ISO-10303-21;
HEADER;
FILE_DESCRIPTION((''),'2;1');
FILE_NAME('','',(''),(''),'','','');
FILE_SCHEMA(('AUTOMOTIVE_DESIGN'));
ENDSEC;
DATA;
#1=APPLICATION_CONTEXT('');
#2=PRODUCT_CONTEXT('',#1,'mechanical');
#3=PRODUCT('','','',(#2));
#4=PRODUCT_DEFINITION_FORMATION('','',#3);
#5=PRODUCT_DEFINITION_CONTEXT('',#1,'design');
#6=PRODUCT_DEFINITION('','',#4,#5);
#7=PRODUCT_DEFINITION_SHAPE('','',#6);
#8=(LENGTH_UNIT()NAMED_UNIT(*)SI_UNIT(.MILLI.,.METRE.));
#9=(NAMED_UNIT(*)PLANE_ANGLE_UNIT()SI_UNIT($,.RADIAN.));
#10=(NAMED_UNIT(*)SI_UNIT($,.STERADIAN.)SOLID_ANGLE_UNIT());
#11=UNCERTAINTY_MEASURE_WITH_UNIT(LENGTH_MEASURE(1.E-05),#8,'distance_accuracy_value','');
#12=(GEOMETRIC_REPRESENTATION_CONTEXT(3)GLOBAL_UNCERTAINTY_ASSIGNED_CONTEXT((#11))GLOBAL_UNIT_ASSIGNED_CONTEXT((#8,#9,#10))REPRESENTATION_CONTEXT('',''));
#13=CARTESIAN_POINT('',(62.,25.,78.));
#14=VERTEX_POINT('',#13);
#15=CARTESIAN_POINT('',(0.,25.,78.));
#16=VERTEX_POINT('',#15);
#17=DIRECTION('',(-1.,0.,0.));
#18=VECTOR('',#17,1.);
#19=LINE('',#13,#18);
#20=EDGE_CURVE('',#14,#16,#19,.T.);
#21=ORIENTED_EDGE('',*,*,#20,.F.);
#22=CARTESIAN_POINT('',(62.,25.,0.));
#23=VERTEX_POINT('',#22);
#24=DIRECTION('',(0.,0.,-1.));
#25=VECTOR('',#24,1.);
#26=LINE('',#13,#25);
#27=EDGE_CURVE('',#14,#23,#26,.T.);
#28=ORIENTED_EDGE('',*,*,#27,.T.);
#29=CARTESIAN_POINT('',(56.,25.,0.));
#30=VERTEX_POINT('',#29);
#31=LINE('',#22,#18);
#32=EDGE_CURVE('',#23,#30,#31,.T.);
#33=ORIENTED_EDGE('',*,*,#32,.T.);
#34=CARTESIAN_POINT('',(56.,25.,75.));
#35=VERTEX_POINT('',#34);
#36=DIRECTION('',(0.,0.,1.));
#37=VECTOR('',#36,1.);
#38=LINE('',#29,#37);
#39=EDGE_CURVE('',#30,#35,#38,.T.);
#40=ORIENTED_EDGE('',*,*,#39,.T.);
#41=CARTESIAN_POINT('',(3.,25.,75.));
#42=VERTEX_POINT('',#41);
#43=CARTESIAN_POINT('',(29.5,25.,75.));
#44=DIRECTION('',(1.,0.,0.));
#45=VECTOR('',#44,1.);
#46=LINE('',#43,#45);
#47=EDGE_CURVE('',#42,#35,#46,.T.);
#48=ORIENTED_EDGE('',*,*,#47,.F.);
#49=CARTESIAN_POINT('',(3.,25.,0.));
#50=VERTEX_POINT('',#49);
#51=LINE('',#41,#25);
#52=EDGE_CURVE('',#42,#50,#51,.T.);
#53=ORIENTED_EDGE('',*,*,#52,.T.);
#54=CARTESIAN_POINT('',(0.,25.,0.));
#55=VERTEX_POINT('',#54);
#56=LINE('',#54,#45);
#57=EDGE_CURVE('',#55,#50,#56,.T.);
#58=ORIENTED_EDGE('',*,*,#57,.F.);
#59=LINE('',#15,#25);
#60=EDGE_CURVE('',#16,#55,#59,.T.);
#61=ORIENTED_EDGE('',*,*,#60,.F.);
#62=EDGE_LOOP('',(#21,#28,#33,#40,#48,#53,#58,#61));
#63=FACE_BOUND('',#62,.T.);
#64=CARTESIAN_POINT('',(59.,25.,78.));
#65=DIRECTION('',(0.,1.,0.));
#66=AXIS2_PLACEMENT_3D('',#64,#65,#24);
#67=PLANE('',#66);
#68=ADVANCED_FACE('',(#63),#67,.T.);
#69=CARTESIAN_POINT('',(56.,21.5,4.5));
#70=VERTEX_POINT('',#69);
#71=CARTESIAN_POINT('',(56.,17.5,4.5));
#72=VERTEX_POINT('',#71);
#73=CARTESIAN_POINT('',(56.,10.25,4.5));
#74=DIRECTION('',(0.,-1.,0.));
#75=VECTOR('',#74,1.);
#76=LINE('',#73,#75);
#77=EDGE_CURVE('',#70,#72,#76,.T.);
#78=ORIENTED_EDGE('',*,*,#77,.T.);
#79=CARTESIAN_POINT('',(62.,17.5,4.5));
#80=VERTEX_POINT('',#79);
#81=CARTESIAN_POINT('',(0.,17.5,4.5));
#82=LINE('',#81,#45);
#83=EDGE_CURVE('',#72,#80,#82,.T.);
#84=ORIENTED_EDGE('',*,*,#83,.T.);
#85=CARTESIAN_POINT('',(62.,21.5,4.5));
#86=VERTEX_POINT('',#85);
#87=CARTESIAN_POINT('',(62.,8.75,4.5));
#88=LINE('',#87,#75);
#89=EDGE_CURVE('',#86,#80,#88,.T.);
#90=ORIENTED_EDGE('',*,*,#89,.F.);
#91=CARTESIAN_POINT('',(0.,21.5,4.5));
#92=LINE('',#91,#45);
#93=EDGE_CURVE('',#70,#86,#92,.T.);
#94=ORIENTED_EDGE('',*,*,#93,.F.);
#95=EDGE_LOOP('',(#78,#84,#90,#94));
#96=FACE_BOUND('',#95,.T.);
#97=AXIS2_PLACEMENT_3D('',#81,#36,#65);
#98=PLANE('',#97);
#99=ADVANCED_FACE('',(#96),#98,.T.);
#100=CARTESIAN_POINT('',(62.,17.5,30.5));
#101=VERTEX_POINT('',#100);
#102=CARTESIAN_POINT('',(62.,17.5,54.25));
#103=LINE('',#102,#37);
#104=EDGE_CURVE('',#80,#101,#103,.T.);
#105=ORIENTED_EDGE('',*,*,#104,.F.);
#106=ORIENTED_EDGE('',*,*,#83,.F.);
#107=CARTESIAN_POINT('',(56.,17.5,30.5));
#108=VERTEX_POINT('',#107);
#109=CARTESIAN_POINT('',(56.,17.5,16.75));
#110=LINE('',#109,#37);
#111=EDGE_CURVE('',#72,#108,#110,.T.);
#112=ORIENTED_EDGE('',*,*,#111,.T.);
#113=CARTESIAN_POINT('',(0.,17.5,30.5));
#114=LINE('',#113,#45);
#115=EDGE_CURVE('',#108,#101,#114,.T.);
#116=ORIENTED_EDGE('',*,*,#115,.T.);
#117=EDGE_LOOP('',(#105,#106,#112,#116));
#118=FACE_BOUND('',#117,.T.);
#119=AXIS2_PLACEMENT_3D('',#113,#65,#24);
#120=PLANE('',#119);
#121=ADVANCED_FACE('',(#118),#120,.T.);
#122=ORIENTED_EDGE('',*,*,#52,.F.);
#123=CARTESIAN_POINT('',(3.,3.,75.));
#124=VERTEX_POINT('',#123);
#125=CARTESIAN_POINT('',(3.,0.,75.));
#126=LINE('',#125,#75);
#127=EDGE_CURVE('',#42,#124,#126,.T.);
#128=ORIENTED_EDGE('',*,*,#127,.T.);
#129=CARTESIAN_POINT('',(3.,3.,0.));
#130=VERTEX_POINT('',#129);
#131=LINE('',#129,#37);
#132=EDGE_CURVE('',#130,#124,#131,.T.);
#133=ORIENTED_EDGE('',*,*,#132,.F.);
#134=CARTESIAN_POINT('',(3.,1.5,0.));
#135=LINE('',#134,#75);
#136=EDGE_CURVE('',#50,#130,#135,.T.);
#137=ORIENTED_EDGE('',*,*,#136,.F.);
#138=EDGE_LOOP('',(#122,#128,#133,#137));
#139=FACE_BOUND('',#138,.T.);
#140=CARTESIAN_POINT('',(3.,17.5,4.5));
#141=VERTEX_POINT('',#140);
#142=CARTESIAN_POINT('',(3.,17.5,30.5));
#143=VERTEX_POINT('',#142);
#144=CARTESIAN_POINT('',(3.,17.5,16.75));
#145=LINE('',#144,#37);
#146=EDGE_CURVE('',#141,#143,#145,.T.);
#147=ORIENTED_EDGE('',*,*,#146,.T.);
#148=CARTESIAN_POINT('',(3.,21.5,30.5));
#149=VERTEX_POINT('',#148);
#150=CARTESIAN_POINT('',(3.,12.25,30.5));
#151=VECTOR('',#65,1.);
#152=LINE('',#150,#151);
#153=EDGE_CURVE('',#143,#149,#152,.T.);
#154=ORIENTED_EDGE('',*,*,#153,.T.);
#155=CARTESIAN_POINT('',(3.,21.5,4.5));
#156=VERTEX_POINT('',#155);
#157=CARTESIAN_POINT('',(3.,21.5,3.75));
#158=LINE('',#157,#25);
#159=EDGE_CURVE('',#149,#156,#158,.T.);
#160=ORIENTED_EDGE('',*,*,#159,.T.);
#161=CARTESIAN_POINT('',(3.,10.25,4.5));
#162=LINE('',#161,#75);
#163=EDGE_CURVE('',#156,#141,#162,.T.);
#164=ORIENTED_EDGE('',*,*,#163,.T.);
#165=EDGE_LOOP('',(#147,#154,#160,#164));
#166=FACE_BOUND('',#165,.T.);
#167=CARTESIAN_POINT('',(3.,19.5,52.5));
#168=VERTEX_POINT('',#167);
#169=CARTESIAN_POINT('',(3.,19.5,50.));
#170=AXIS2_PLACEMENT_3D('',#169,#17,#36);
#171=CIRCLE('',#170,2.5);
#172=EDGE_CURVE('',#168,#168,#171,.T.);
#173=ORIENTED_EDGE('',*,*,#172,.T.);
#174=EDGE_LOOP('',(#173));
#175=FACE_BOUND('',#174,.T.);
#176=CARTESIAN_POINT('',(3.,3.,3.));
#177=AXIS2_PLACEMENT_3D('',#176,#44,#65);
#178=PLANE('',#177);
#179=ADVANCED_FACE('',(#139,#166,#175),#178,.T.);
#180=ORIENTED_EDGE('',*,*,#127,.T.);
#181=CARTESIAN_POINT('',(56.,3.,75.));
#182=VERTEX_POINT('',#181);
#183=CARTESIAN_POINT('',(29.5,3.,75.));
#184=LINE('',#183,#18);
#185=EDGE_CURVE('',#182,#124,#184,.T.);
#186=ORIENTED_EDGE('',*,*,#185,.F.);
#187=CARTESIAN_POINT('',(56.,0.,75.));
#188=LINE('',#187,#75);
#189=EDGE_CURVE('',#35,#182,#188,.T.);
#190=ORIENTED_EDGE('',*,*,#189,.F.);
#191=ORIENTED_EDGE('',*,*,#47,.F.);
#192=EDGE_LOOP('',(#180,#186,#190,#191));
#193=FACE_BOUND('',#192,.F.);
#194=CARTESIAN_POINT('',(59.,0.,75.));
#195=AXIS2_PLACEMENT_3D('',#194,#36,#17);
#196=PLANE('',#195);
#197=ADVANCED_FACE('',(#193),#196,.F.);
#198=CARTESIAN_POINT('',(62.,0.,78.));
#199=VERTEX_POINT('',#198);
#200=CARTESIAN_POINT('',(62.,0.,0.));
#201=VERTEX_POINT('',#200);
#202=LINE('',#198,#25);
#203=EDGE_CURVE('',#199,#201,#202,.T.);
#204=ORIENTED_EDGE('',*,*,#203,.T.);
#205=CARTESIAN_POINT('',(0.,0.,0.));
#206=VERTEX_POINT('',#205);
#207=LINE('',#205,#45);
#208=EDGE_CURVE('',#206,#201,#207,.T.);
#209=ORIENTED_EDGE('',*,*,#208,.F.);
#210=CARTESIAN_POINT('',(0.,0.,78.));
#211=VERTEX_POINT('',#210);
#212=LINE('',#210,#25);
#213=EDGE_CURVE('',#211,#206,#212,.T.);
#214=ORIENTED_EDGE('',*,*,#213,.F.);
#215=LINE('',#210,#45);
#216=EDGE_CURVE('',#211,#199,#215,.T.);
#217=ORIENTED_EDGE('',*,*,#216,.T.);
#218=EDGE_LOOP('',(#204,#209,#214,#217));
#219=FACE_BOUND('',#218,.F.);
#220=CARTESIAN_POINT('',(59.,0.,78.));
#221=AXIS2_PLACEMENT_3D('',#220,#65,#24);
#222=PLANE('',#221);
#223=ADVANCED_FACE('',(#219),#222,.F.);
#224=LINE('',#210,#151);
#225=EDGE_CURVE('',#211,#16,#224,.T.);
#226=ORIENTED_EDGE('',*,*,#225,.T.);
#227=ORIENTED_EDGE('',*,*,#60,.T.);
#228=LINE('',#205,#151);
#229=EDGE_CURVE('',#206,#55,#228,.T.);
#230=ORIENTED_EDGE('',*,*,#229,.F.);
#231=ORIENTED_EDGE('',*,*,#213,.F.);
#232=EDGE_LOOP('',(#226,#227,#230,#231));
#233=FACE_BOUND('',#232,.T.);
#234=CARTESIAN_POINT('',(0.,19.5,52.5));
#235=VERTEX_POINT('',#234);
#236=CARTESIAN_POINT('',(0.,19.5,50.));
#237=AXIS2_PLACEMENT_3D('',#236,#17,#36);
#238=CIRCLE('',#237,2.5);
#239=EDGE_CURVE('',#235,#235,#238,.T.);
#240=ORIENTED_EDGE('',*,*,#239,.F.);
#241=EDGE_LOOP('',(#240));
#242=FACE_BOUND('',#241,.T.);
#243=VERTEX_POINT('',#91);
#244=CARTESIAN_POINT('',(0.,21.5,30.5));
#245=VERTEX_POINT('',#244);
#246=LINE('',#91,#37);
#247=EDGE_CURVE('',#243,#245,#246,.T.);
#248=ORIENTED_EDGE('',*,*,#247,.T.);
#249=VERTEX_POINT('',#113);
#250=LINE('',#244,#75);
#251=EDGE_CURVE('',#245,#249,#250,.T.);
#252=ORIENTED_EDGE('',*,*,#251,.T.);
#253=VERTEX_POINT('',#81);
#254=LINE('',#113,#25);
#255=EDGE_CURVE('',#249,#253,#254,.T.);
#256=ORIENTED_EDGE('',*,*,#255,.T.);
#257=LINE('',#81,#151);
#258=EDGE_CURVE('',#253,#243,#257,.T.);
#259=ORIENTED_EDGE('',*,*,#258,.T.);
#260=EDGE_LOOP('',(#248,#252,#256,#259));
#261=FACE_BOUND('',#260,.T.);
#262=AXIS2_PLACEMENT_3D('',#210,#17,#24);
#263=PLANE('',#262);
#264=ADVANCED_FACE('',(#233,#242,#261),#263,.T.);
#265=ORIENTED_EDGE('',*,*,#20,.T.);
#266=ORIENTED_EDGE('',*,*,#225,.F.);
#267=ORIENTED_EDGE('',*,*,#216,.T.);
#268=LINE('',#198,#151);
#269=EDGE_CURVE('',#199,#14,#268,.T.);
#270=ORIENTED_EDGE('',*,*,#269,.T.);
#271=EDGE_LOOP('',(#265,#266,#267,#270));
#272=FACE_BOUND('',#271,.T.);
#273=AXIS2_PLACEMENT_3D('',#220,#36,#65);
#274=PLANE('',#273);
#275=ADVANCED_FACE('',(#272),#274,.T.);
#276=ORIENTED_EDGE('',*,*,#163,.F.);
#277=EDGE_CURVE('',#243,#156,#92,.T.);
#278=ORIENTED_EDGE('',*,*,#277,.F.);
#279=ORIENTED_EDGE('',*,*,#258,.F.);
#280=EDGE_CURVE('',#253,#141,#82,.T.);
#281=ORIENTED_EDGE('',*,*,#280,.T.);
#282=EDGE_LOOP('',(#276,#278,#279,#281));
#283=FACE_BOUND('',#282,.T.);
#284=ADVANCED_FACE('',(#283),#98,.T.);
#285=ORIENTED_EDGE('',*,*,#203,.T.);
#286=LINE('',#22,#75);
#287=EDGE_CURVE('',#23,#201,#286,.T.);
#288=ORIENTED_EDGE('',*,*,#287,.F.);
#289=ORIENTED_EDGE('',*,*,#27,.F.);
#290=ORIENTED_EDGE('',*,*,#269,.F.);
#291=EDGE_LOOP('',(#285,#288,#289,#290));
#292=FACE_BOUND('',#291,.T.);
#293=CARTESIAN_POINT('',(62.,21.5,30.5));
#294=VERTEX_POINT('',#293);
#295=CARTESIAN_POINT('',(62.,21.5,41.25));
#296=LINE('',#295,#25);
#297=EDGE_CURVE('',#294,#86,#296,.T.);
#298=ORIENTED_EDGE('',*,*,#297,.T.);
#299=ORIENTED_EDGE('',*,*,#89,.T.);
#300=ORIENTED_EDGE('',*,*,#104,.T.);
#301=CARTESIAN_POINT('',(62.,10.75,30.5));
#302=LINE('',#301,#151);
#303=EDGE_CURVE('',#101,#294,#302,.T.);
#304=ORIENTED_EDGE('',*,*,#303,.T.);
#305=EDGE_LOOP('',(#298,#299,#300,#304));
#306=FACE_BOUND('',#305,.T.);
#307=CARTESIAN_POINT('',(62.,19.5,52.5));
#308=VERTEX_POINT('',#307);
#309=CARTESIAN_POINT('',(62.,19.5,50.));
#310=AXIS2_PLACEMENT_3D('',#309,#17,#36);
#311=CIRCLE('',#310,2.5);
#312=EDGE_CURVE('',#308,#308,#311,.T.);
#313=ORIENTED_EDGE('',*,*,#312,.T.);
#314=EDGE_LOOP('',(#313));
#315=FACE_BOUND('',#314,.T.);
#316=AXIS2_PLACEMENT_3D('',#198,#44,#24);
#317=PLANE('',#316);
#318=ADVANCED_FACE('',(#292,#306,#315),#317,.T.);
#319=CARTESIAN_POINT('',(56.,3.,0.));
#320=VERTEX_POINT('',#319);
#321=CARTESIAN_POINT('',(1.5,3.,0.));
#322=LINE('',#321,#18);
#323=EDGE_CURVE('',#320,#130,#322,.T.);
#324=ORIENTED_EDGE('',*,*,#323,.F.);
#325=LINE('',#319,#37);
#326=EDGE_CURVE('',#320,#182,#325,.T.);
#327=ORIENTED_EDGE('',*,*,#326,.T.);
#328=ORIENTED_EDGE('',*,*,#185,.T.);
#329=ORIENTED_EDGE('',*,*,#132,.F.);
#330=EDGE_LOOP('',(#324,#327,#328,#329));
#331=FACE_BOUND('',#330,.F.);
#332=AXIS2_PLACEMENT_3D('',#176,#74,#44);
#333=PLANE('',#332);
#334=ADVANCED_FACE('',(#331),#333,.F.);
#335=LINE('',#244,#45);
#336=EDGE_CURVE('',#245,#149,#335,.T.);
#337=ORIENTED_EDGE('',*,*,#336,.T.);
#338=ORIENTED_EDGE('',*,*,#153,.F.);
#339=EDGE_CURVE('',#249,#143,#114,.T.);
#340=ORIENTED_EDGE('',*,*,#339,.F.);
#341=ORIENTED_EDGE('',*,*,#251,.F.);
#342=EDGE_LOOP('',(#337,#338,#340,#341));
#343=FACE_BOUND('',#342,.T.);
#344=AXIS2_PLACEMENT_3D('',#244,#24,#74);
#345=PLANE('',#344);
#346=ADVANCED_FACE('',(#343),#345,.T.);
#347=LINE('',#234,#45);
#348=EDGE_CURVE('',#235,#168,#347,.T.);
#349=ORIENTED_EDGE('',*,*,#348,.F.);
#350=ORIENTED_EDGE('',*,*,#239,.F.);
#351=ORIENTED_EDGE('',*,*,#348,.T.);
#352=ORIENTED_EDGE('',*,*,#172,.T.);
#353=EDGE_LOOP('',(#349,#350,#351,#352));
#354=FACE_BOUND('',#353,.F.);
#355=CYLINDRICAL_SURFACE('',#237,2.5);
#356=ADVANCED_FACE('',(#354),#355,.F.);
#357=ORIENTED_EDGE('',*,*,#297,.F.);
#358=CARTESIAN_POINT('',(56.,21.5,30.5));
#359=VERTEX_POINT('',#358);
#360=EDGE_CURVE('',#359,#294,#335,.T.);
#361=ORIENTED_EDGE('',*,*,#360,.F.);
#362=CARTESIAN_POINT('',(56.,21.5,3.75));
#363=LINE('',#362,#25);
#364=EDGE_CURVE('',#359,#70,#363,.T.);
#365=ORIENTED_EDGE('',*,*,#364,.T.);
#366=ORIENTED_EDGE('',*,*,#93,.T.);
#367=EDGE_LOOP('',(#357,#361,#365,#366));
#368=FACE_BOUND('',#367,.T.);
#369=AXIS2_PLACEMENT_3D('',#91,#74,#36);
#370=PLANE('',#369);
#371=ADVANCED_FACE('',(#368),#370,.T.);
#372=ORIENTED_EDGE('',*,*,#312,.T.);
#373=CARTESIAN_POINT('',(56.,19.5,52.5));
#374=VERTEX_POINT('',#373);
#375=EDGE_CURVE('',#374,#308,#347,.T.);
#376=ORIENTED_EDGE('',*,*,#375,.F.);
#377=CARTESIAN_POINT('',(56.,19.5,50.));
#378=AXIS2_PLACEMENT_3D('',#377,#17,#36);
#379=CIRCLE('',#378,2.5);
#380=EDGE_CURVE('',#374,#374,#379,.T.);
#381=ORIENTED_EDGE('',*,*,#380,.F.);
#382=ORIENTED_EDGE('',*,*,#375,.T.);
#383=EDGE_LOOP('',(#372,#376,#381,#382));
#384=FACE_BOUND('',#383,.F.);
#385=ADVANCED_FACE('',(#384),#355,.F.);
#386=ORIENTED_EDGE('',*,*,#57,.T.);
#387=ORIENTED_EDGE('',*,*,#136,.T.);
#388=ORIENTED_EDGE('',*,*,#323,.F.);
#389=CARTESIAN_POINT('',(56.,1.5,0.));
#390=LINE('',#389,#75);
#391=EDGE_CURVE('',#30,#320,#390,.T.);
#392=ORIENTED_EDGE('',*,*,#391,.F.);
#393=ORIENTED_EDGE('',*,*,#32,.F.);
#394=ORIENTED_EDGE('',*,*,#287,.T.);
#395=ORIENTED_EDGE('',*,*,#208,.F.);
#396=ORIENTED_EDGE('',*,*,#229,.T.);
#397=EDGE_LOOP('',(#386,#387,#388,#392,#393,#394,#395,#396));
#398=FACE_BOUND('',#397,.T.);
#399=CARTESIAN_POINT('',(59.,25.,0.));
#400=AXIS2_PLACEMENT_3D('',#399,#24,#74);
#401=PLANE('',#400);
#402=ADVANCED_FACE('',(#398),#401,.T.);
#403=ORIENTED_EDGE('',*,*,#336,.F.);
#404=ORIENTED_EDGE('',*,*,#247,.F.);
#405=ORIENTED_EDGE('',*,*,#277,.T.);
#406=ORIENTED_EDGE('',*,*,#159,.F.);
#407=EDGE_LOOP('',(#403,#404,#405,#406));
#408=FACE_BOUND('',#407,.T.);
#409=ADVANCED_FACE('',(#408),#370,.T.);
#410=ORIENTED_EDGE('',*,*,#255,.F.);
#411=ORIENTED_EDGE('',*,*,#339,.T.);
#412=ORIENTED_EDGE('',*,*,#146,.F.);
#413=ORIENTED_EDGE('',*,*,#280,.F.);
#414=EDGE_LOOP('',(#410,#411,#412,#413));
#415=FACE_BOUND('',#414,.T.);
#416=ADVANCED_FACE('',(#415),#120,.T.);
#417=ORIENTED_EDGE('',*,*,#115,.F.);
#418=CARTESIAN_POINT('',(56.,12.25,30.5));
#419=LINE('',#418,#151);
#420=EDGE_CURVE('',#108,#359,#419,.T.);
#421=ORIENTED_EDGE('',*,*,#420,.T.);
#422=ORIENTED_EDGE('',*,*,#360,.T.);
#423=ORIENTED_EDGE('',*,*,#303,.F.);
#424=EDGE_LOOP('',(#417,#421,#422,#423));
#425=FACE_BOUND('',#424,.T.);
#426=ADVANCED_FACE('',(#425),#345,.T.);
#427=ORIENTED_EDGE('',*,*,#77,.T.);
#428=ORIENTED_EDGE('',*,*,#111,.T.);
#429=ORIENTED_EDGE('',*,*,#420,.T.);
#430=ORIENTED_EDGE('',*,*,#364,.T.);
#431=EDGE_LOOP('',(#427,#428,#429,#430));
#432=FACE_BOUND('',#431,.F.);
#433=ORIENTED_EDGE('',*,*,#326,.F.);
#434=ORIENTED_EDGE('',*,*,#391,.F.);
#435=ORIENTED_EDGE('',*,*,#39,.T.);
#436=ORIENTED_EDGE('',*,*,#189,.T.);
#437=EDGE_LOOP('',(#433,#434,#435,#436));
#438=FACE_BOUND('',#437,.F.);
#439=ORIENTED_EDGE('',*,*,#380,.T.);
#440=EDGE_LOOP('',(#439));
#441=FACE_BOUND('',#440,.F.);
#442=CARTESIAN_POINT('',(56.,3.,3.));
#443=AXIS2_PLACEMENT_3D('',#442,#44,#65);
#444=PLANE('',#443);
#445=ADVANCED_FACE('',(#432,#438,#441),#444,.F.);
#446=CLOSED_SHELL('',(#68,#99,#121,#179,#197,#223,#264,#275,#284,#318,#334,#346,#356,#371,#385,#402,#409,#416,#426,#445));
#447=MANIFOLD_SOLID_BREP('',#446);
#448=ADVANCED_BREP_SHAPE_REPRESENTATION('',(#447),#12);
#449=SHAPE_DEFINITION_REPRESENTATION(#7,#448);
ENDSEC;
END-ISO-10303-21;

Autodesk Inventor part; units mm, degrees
ref_plane "YZ Plane" through (0, 0, 0) normal (1, 0, 0) x (0, 1, 0)
ref_plane "XZ Plane" through (0, 0, 0) normal (0, 1, 0) x (-1, 0, 0)
ref_plane "XY Plane" through (0, 0, 0) normal (0, 0, 1) x (1, 0, 0)
sketch "Sketch2" plane through (0, 0, 0) normal (0, 1, 0) x (-1, 0, 0)
  line L0 (0, 0) -> (-59, 0)
  line L1 (-59, 0) -> (-59, 78)
  line L2 (-59, 78) -> (0, 78)
  line L3 (0, 78) -> (0, 0)
  dimension "d0" = 59
  dimension "d1" = 78
extrude "Extrusion1" add sketch "Sketch2" along normal blind 25
shell "Shell1" thickness 3 removed faces 1 at (39.3333, 25, 52)
sketch "Sketch4" plane through (59, 0, 0) normal (0, 0, -1) x (-1, 0, 0)
  point P0 (59, 0)
sketch "Sketch5" plane through (3, 3, 3) normal (0, 0, 1) x (1, 0, 0)
  line L0 (0, 0) -> (0, 22) projected
  line L1 (0, 22) -> (53, 22) projected
  line L2 (0, 0) -> (53, 0)
  line L3 (53, 0) -> (53, 22)
  line L4 (53, 22) -> (0, 22)
  line L5 (0, 22) -> (0, 0)
  point P0 (-3, -3)
extrude "Extrusion3" cut sketch "Sketch5" against normal blind 10
sketch "Sketch6" plane through (0, 0, 0) normal (-1, 0, 0) x (0, 0, 1)
  line L0 (4.5, 21.5) -> (30.5, 21.5)
  line L1 (30.5, 21.5) -> (30.5, 17.5)
  line L2 (30.5, 17.5) -> (4.5, 17.5)
  line L3 (4.5, 17.5) -> (4.5, 21.5)
  line L4 (0, 0) -> (0, 25) projected
  line L5 (0, 0) -> (78, 0) projected
  dimension "d19" = 26
  dimension "d20" = 4
  dimension "d21" = 4.5
  dimension "d22" = 17.5
sketch "Sketch7" plane through (59, 0, 78) normal (1, 0, 0) x (0, 0, -1)
  line L0 (0, 0) -> (78, 0) projected
  line L1 (0, 25) -> (78, 25)
  line L2 (78, 25) -> (78, 0)
  line L3 (78, 0) -> (0, 0)
  line L4 (0, 0) -> (0, 25)
extrude "Extrusion5" add sketch "Sketch7" along normal blind 3
extrude "Extrusion6" cut sketch "Sketch6" against normal through all
sketch "Sketch8" plane through (0, 0, 0) normal (-1, 0, 0) x (0, 0, 1)
  circle A0 centre (50, 19.5) radius 2.5
  point P0 (0, 0)
  dimension "d29" = 5
extrude "Extrusion7" cut sketch "Sketch8" against normal through all
properties part number "arduino box v05"
